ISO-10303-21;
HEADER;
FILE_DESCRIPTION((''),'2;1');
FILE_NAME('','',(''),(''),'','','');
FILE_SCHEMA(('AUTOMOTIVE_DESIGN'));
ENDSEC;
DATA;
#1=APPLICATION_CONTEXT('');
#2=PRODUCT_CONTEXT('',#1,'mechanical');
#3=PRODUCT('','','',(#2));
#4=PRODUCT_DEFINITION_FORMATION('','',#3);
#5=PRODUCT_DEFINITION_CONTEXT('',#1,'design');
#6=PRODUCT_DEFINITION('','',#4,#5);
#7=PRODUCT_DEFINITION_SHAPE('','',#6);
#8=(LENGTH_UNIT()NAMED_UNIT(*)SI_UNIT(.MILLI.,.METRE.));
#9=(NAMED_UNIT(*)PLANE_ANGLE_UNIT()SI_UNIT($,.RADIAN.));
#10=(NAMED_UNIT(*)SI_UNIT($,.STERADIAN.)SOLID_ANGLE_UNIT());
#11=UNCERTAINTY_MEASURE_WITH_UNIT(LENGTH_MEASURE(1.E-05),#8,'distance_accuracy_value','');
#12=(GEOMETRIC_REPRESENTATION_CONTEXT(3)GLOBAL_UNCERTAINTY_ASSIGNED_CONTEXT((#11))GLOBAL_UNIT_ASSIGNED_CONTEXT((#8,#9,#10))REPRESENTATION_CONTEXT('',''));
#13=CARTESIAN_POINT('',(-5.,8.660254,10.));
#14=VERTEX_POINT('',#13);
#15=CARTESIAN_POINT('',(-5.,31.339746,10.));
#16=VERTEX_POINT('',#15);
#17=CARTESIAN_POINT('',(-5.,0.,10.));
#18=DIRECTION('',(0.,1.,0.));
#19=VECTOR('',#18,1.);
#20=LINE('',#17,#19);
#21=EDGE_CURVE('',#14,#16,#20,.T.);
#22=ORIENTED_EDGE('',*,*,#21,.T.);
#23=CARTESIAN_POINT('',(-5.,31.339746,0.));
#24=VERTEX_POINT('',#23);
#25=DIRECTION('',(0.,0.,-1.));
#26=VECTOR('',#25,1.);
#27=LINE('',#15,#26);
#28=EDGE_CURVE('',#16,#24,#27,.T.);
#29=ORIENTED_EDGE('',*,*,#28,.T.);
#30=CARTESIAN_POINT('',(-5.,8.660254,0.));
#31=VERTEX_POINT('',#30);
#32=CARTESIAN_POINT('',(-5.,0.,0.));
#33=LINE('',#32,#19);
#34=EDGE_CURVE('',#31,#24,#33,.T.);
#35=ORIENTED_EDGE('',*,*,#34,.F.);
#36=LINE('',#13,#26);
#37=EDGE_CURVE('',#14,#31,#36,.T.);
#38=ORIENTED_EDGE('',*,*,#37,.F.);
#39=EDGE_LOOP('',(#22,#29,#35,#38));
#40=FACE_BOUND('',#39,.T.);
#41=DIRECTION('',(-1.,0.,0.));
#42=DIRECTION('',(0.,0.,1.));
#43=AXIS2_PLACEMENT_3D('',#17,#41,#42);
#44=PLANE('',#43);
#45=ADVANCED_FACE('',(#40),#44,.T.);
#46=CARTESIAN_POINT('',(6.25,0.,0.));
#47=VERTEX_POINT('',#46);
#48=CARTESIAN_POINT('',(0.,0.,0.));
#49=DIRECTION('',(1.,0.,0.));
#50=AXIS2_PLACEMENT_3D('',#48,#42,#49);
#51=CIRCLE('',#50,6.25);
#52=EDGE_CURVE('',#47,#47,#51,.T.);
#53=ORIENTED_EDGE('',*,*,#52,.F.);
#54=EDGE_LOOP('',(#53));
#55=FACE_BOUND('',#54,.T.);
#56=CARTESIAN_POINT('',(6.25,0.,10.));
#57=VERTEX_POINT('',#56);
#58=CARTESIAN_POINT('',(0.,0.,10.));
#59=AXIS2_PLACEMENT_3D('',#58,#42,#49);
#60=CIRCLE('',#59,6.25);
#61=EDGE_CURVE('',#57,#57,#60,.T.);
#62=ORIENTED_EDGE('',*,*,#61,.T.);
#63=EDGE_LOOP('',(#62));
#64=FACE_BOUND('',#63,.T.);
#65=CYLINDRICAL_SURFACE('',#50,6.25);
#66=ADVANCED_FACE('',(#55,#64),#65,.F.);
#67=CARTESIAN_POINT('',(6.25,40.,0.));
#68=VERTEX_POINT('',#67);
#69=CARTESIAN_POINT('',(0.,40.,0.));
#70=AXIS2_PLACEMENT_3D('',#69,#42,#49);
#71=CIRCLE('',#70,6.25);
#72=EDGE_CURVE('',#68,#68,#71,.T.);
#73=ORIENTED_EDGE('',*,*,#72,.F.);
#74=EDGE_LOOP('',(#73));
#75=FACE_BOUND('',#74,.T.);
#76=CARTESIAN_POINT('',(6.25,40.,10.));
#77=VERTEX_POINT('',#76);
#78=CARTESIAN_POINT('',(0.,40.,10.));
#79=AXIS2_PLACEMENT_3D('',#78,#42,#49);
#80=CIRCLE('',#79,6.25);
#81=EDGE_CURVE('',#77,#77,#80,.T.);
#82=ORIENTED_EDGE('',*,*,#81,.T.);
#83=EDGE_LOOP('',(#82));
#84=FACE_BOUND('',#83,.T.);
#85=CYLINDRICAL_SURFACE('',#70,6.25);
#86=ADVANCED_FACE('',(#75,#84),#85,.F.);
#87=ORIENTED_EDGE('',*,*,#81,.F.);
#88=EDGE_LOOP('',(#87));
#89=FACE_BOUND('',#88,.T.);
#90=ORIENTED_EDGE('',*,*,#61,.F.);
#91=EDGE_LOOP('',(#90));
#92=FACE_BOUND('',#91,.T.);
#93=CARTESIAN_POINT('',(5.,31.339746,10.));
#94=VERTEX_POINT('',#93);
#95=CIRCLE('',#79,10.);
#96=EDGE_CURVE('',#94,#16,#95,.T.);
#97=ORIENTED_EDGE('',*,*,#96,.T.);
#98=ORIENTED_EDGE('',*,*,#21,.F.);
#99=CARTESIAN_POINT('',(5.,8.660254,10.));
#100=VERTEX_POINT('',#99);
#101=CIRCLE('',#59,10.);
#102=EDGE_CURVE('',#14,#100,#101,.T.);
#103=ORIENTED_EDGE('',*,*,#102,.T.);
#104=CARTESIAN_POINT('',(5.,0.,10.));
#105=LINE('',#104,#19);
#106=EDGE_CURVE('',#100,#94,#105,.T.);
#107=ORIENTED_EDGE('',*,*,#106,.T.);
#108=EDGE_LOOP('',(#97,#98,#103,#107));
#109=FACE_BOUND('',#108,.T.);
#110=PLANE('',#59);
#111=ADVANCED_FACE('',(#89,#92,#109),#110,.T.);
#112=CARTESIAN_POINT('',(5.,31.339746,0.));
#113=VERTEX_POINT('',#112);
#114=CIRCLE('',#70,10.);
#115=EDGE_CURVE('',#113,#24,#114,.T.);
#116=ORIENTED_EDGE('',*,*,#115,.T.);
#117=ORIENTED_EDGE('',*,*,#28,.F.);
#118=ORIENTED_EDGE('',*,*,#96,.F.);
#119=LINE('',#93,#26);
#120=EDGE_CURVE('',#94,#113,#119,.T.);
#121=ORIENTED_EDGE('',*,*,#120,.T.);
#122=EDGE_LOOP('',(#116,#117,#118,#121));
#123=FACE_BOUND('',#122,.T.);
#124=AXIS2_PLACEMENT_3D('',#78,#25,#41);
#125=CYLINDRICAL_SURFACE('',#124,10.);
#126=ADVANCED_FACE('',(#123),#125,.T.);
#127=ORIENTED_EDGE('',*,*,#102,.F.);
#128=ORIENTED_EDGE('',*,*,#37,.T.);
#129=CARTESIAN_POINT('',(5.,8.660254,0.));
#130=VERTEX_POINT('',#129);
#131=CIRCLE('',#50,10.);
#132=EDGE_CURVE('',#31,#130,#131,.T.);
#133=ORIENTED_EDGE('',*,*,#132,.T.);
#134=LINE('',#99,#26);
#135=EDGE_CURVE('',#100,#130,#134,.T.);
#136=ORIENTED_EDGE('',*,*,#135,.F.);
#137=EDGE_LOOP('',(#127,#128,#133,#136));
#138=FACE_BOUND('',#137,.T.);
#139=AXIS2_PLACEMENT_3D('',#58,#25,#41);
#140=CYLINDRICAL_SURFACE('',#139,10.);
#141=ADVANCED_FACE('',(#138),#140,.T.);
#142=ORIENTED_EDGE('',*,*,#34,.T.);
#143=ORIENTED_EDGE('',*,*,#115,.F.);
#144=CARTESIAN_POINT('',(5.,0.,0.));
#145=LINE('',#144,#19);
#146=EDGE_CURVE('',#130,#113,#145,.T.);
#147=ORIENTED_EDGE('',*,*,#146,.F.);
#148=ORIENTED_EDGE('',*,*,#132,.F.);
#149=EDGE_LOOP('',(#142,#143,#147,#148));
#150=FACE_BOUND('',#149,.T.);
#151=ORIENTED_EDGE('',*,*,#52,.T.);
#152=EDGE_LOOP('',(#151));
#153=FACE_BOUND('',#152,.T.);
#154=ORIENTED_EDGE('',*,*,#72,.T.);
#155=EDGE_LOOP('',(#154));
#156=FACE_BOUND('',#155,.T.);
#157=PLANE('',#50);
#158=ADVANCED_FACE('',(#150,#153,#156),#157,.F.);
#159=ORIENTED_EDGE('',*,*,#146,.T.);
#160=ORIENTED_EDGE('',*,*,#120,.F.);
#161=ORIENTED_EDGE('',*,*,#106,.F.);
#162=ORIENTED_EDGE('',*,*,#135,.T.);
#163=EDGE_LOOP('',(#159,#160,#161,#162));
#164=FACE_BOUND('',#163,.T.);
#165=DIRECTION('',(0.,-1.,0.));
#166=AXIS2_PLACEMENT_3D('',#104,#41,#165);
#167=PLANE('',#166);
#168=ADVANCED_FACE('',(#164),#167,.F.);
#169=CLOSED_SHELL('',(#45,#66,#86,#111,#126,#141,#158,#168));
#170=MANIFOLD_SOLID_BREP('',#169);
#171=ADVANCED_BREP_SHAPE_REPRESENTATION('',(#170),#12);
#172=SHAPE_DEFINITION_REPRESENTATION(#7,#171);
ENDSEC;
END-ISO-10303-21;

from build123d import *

# Parameters (mm, degrees)
BOSS_EXTRUDE1_DEPTH = 10
SKETCH2_R           = 6.25
CUT_EXTRUDE1_DEPTH  = 52.961524227


with BuildPart() as part:
    # Sketch1 → Boss-Extrude1 (new body)
    with BuildSketch(Plane.XY):
        with BuildLine():
            Line((0, 40), (0, 30))
            ThreePointArc((0, 30), (2.588190451, 30.340741737), (5, 31.339745962))
            Line((5, 31.339745962), (5, 40))
            Line((5, 40), (0, 40))
        make_face()
        with BuildLine():
            Line((0, 50), (0, 40))
            Line((0, 40), (5, 40))
            Line((5, 40), (5, 31.339745962))
            ThreePointArc((5, 31.339745962), (8.660254038, 35), (10, 40))
            ThreePointArc((10, 40), (7.071067812, 47.071067812), (0, 50))
        make_face()
        with BuildLine():
            ThreePointArc((-5, 31.339745962), (-2.588190451, 30.340741737), (0, 30))
            Line((0, 30), (0, 40))
            Line((0, 40), (-5, 40))
            Line((-5, 40), (-5, 31.339745962))
        make_face()
        with BuildLine():
            Line((-5, 40), (0, 40))
            Line((0, 40), (0, 50))
            ThreePointArc((0, 50), (-9.659258263, 42.588190451), (-5, 31.339745962))
            Line((-5, 31.339745962), (-5, 40))
        make_face()
        with BuildLine():
            Line((0, 30), (0, 10))
            ThreePointArc((0, 10), (2.588190451, 9.659258263), (5, 8.660254038))
            Line((5, 8.660254038), (5, 31.339745962))
            ThreePointArc((5, 31.339745962), (2.588190451, 30.340741737), (0, 30))
        make_face()
        with BuildLine():
            ThreePointArc((-5, 8.660254038), (-2.588190451, 9.659258263), (0, 10))
            Line((0, 10), (0, 30))
            ThreePointArc((0, 30), (-2.588190451, 30.340741737), (-5, 31.339745962))
            Line((-5, 31.339745962), (-5, 8.660254038))
        make_face()
        with BuildLine():
            Line((-5, 0), (0, 0))
            Line((0, 0), (0, 10))
            ThreePointArc((0, 10), (-2.588190451, 9.659258263), (-5, 8.660254038))
            Line((-5, 8.660254038), (-5, 0))
        make_face()
        with BuildLine():
            Line((0, 10), (0, 0))
            Line((0, 0), (5, 0))
            Line((5, 0), (5, 8.660254038))
            ThreePointArc((5, 8.660254038), (2.588190451, 9.659258263), (0, 10))
        make_face()
        with BuildLine():
            Line((5, 0), (0, 0))
            Line((0, 0), (-5, 0))
            Line((-5, 0), (-5, 8.660254038))
            ThreePointArc((-5, 8.660254038), (-5, -8.660254038), (10, 0))
            ThreePointArc((10, 0), (8.660254038, 5), (5, 8.660254038))
            Line((5, 8.660254038), (5, 0))
        make_face()
    extrude(amount=BOSS_EXTRUDE1_DEPTH)

    # Sketch2 → Cut-Extrude1 (cut, through all)
    with BuildSketch(Plane.XY.offset(10)):
        with Locations((0, 40)):
            Circle(SKETCH2_R)
        Circle(SKETCH2_R)
    extrude(amount=-CUT_EXTRUDE1_DEPTH, mode=Mode.SUBTRACT)


solid = part.part
